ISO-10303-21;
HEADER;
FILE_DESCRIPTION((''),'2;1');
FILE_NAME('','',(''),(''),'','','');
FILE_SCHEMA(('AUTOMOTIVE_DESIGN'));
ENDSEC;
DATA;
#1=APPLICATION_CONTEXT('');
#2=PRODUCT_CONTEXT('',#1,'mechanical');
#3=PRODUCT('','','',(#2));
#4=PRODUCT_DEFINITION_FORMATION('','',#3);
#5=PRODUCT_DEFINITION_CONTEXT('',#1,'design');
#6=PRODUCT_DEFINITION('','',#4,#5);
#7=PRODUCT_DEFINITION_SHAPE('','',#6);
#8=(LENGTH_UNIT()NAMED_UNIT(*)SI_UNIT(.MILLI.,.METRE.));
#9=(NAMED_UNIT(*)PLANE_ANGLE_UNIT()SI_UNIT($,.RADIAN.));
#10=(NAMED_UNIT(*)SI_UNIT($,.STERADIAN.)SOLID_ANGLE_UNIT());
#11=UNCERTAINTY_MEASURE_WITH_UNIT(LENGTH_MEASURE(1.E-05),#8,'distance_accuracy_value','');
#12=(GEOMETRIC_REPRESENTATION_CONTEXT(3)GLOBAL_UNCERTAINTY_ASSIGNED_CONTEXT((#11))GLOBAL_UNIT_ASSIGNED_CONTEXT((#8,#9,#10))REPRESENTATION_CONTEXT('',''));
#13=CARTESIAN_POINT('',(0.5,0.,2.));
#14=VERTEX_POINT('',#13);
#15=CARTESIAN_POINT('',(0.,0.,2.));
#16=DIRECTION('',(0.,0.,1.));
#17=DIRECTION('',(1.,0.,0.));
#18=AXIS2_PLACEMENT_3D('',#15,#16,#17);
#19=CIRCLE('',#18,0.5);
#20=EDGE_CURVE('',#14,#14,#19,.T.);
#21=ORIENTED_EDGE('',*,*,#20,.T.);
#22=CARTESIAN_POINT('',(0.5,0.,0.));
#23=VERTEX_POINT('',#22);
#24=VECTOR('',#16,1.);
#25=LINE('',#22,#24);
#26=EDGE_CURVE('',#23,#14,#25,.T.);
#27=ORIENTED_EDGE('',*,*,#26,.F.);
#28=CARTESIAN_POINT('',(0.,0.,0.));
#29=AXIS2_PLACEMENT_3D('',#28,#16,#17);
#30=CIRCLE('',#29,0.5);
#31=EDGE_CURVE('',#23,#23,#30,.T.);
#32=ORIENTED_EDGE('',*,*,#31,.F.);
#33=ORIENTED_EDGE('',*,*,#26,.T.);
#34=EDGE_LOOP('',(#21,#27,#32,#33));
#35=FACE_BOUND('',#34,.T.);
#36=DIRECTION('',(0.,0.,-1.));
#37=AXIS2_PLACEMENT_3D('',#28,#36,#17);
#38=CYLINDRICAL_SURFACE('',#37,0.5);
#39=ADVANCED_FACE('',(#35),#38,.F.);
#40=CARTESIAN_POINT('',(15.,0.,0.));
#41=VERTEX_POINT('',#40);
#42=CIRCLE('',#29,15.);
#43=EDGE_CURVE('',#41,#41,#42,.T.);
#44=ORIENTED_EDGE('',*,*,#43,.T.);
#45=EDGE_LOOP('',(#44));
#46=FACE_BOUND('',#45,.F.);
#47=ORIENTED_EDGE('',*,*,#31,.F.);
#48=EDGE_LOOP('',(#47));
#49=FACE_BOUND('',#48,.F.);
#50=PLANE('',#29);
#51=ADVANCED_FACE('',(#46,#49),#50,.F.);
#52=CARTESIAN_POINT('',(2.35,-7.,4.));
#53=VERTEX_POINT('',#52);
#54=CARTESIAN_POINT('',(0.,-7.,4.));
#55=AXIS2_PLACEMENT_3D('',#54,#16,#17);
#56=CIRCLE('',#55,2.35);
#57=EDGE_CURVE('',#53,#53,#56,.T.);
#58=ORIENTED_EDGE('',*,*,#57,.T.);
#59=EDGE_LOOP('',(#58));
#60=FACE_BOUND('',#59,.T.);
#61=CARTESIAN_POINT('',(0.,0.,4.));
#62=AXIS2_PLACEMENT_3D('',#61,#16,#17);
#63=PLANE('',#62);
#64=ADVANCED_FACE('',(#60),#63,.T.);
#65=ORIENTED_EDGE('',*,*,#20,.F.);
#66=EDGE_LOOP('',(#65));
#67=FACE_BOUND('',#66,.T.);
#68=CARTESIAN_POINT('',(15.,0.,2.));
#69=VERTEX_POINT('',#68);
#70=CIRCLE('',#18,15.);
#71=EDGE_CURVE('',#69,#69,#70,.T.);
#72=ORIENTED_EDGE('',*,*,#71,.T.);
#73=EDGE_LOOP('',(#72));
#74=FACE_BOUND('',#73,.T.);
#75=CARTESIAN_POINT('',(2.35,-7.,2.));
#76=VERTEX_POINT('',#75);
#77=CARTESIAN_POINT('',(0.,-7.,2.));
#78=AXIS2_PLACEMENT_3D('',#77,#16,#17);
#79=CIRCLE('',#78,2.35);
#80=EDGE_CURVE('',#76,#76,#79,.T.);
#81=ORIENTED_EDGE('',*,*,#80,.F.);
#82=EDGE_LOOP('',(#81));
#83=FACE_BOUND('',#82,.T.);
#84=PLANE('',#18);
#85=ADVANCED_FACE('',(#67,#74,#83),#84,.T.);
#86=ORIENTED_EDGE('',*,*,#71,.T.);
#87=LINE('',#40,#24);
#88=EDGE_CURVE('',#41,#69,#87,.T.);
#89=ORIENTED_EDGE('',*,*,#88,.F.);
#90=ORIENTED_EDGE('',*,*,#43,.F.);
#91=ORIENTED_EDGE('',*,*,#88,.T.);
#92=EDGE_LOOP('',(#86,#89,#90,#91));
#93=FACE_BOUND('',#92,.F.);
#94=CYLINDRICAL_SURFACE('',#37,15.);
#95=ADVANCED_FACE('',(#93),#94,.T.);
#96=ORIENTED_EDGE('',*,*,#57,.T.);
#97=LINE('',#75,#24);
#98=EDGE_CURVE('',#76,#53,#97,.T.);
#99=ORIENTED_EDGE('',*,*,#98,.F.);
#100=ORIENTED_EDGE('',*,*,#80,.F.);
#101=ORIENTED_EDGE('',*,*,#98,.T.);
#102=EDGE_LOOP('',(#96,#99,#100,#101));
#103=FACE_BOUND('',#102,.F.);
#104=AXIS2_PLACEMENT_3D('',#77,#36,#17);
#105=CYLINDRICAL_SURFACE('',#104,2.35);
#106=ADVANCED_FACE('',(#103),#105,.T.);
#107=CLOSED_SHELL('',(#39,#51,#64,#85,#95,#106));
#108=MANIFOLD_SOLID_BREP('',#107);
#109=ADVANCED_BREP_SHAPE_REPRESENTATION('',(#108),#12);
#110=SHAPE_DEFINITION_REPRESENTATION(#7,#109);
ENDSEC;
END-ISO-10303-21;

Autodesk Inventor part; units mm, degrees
ref_plane "YZ Plane" through (0, 0, 0) normal (1, 0, 0) x (0, 1, 0)
ref_plane "XZ Plane" through (0, 0, 0) normal (0, 1, 0) x (-1, 0, 0)
ref_plane "XY Plane" through (0, 0, 0) normal (0, 0, 1) x (1, 0, 0)
sketch "Boceto1" plane through (0, 0, 0) normal (0, 0, 1) x (1, 0, 0)
  circle A0 centre (0, 0) radius 15
  circle A1 centre (0, 0) radius 0.5
  dimension "d0" = 30
  dimension "d1" = 1
extrude "Extrusión1" add sketch "Boceto1" along normal blind 2
sketch "Boceto2" plane through (0, 0, 2) normal (0, 0, 1) x (1, 0, 0)
  circle A0 centre (0, 0) radius 0.5 projected
  circle A1 centre (0, -7) radius 2.35
  dimension "d4" = 4.7
  dimension "d6" = 7
extrude "Extrusión2" add sketch "Boceto2" along normal blind 2 contours A1
properties part number "Rueda interna"
